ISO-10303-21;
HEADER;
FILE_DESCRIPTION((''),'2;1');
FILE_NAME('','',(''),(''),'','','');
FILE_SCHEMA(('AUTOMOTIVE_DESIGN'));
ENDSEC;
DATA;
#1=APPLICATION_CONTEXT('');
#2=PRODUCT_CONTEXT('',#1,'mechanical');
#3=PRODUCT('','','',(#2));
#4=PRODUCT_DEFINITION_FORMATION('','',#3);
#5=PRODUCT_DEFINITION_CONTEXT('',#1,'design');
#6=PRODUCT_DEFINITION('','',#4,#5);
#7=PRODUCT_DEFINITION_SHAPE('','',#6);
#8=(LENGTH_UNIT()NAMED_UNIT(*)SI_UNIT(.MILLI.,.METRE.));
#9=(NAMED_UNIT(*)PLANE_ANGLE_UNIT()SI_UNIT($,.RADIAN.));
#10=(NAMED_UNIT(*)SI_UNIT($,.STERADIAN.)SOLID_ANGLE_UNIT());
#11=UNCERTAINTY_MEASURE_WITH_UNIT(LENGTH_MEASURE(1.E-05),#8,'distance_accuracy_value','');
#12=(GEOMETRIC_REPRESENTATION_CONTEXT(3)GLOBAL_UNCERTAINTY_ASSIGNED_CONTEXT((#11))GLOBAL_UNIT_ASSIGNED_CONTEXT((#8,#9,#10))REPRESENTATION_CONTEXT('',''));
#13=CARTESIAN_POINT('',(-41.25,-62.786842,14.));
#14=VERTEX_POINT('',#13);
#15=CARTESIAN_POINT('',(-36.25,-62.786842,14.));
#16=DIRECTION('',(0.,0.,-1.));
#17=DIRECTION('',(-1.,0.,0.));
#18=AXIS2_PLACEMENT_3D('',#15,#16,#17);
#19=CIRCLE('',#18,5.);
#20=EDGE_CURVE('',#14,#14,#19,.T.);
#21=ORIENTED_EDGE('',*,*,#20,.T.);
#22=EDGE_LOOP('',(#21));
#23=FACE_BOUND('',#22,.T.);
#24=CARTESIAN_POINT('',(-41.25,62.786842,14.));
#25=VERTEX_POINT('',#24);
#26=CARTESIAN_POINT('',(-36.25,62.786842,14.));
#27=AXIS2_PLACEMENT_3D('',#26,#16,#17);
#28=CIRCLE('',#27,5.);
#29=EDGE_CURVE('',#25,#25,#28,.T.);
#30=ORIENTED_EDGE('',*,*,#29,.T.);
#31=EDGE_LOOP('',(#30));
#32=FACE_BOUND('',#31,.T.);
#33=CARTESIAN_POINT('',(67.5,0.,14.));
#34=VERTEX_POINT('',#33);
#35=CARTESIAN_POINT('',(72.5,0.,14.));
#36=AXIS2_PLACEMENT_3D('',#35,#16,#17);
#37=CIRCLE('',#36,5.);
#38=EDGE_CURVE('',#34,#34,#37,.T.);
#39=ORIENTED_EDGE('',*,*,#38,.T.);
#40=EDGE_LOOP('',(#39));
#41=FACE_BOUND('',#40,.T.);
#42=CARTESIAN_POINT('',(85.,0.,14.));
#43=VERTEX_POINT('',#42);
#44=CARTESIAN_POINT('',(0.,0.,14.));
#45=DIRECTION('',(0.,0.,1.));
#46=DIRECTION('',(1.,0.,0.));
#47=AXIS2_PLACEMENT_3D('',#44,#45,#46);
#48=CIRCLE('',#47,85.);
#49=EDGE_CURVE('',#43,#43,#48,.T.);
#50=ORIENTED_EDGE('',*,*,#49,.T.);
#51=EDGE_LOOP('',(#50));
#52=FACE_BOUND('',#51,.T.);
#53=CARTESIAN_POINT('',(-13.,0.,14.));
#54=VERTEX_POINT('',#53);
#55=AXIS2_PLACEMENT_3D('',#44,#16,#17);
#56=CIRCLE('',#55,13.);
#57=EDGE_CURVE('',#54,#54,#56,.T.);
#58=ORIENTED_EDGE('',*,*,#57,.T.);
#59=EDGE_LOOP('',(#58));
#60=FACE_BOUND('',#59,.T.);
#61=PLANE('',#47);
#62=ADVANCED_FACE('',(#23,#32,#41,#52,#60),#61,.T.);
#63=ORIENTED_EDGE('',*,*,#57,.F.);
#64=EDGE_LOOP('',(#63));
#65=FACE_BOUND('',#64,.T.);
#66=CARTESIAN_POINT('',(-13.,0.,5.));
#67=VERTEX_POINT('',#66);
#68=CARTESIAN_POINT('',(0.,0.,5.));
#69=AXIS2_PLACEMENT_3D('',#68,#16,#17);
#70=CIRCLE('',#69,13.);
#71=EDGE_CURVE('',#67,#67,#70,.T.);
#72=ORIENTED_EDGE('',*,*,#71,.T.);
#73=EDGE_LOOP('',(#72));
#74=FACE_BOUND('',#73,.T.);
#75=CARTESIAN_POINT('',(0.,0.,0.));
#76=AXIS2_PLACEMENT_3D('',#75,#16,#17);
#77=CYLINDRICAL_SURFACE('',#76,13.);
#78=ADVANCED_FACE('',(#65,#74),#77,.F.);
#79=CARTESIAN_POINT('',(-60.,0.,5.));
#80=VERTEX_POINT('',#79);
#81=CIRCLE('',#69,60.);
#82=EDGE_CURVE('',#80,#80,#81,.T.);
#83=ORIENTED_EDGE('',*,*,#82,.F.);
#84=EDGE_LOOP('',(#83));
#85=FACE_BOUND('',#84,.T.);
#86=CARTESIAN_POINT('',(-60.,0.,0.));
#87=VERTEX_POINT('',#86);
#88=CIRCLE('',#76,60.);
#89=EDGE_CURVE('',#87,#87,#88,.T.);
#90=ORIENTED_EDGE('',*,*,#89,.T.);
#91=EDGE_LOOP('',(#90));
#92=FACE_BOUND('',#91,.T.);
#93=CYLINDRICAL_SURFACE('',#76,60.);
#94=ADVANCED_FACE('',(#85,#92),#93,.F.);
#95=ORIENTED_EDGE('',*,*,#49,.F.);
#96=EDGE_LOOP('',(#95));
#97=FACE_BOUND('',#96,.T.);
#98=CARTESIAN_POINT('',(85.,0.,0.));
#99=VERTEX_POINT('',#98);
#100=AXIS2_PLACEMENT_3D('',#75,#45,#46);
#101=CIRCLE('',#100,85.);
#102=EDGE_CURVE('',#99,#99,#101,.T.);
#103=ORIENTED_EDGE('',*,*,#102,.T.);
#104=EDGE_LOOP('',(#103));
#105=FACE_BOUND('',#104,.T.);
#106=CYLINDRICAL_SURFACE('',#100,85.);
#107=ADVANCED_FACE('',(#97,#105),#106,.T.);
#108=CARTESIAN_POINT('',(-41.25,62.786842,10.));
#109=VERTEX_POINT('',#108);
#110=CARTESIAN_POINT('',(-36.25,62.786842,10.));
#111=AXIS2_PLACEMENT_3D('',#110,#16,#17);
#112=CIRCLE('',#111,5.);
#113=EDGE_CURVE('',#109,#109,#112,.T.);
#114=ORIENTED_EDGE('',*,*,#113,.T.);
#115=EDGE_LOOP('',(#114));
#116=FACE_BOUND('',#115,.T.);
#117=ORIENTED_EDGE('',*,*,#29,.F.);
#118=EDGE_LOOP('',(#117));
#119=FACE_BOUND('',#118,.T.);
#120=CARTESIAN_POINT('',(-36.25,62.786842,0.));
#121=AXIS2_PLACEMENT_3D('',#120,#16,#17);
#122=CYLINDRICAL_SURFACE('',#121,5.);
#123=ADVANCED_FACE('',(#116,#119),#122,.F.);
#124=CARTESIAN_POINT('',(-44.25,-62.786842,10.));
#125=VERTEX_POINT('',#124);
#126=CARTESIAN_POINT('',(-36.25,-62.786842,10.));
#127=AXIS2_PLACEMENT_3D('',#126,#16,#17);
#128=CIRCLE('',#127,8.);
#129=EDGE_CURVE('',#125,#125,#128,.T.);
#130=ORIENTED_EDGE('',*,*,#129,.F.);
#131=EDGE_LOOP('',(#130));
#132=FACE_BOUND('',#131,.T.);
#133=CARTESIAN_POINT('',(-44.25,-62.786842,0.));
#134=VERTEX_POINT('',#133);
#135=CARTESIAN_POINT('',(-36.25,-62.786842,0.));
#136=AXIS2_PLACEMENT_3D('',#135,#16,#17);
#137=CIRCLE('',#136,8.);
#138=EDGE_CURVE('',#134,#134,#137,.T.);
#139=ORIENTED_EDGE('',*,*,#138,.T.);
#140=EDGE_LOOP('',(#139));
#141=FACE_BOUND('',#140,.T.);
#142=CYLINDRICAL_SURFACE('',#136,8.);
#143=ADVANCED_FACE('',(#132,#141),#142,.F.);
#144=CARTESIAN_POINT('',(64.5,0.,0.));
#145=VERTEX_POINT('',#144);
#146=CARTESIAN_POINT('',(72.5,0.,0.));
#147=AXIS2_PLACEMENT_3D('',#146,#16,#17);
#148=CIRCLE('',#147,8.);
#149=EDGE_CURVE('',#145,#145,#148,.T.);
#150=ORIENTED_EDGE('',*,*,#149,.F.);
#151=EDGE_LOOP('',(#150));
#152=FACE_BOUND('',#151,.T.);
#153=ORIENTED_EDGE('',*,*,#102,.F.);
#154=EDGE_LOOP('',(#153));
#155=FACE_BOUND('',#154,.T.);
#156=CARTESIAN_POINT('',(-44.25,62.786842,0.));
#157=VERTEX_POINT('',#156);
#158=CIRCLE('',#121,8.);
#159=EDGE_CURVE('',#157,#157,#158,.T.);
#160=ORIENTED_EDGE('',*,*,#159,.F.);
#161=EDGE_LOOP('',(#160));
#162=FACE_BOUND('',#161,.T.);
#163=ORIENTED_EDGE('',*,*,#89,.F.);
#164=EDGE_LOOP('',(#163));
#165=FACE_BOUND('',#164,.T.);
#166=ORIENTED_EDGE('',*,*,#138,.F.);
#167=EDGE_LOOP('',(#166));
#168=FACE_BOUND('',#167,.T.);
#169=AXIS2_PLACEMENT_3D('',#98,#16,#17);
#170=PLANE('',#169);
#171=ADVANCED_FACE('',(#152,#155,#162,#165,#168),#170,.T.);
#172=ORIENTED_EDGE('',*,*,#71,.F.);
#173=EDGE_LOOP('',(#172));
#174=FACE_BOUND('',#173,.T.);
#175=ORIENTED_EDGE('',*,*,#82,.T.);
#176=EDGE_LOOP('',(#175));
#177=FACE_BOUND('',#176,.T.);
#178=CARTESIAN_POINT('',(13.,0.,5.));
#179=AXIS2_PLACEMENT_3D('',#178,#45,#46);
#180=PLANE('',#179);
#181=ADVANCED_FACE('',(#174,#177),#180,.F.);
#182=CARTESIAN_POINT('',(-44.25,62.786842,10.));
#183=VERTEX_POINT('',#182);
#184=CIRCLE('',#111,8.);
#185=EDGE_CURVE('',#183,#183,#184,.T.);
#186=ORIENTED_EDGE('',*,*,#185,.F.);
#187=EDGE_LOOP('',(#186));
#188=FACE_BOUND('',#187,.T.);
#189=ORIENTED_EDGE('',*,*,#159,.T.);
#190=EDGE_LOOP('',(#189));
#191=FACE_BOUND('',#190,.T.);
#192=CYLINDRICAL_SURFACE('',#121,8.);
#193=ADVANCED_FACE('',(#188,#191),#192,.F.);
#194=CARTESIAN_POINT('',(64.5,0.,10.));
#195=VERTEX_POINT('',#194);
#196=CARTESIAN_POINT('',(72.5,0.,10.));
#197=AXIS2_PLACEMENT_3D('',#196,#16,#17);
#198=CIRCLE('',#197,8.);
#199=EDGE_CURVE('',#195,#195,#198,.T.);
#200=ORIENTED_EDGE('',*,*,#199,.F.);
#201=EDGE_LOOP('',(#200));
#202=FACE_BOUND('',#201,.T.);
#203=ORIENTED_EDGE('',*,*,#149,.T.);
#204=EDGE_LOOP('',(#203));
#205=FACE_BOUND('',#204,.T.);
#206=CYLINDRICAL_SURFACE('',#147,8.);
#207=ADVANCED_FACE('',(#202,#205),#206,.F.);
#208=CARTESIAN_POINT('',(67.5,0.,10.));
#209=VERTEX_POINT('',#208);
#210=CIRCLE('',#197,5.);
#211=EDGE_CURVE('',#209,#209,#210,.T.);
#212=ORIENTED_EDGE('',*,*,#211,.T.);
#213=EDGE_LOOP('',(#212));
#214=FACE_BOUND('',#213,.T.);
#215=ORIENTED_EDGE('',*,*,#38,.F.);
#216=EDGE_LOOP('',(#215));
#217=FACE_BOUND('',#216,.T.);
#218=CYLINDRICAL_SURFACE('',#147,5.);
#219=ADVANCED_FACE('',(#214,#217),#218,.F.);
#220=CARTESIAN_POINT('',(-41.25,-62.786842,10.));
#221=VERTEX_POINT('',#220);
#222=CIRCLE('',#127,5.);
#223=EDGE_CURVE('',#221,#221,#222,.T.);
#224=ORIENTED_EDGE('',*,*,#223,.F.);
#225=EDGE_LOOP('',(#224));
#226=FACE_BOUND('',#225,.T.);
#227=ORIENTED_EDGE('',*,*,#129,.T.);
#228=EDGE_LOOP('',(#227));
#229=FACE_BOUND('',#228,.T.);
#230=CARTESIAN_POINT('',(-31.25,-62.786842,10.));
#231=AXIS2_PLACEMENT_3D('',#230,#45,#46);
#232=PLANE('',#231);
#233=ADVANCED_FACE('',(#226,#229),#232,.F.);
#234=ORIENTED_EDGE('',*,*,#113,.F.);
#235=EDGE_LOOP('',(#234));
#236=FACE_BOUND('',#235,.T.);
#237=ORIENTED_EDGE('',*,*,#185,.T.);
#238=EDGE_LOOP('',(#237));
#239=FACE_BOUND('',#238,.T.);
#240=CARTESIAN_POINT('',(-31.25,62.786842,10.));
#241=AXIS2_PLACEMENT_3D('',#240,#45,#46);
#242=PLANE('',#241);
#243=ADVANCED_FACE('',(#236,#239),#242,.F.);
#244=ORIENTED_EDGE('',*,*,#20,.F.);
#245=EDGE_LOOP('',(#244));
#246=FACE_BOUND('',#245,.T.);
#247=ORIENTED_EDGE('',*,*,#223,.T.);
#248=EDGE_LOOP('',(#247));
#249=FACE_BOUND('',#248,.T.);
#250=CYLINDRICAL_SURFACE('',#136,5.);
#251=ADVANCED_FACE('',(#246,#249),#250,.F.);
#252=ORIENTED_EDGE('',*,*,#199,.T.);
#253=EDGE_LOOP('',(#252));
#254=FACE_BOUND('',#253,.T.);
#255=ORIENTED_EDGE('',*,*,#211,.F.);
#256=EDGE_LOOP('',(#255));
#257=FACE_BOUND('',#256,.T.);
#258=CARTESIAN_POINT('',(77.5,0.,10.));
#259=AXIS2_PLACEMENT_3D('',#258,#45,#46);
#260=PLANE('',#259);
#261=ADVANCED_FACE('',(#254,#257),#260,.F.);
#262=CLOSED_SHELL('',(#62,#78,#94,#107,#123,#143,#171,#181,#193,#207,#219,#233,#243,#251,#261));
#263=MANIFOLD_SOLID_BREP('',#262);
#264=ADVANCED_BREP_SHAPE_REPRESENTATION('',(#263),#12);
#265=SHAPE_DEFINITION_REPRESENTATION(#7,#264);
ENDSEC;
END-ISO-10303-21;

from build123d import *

# Parameters (mm, degrees)
SKETCH_1_W                    = 85
SKETCH_1_H                    = 14
HOLE_WIZARD_M24_1_D           = 26
HOLE_WIZARD_M24_1_CBORE_D     = 120
HOLE_WIZARD_M24_1_CBORE_DEPTH = 5
HOLE_WIZARD_M8_1_D            = 10
HOLE_WIZARD_M8_1_CBORE_D      = 16
HOLE_WIZARD_M8_1_CBORE_DEPTH  = 10


with BuildPart() as part:
    # 草图1 → 旋转1 (revolve)
    with BuildSketch(Plane(origin=(0, 0, 0), x_dir=(1, 0, 0), z_dir=(0, 1, 0))):
        with Locations((42.5, -7)):
            Rectangle(SKETCH_1_W, SKETCH_1_H)
    revolve(axis=Axis((0, 0, 0), (0, 0, 1)))

    # M24 六角头螺栓的柱形沉头孔1 (through all)
    with Locations(Plane(origin=(0, 0, 0), x_dir=(-1, 0, 0), z_dir=(0, 0, -1))):
        with Locations((0, 0)):
            CounterBoreHole(HOLE_WIZARD_M24_1_D / 2, HOLE_WIZARD_M24_1_CBORE_D / 2, HOLE_WIZARD_M24_1_CBORE_DEPTH)

    # M8 六角头螺栓的柱形沉头孔1 (through all)
    with Locations(Plane(origin=(0, 0, 0), x_dir=(-1, 0, 0), z_dir=(0, 0, -1))):
        with Locations((36.25, 62.786841774), (-72.5, 0), (36.25, -62.786841774)):
            CounterBoreHole(HOLE_WIZARD_M8_1_D / 2, HOLE_WIZARD_M8_1_CBORE_D / 2, HOLE_WIZARD_M8_1_CBORE_DEPTH)


solid = part.part
